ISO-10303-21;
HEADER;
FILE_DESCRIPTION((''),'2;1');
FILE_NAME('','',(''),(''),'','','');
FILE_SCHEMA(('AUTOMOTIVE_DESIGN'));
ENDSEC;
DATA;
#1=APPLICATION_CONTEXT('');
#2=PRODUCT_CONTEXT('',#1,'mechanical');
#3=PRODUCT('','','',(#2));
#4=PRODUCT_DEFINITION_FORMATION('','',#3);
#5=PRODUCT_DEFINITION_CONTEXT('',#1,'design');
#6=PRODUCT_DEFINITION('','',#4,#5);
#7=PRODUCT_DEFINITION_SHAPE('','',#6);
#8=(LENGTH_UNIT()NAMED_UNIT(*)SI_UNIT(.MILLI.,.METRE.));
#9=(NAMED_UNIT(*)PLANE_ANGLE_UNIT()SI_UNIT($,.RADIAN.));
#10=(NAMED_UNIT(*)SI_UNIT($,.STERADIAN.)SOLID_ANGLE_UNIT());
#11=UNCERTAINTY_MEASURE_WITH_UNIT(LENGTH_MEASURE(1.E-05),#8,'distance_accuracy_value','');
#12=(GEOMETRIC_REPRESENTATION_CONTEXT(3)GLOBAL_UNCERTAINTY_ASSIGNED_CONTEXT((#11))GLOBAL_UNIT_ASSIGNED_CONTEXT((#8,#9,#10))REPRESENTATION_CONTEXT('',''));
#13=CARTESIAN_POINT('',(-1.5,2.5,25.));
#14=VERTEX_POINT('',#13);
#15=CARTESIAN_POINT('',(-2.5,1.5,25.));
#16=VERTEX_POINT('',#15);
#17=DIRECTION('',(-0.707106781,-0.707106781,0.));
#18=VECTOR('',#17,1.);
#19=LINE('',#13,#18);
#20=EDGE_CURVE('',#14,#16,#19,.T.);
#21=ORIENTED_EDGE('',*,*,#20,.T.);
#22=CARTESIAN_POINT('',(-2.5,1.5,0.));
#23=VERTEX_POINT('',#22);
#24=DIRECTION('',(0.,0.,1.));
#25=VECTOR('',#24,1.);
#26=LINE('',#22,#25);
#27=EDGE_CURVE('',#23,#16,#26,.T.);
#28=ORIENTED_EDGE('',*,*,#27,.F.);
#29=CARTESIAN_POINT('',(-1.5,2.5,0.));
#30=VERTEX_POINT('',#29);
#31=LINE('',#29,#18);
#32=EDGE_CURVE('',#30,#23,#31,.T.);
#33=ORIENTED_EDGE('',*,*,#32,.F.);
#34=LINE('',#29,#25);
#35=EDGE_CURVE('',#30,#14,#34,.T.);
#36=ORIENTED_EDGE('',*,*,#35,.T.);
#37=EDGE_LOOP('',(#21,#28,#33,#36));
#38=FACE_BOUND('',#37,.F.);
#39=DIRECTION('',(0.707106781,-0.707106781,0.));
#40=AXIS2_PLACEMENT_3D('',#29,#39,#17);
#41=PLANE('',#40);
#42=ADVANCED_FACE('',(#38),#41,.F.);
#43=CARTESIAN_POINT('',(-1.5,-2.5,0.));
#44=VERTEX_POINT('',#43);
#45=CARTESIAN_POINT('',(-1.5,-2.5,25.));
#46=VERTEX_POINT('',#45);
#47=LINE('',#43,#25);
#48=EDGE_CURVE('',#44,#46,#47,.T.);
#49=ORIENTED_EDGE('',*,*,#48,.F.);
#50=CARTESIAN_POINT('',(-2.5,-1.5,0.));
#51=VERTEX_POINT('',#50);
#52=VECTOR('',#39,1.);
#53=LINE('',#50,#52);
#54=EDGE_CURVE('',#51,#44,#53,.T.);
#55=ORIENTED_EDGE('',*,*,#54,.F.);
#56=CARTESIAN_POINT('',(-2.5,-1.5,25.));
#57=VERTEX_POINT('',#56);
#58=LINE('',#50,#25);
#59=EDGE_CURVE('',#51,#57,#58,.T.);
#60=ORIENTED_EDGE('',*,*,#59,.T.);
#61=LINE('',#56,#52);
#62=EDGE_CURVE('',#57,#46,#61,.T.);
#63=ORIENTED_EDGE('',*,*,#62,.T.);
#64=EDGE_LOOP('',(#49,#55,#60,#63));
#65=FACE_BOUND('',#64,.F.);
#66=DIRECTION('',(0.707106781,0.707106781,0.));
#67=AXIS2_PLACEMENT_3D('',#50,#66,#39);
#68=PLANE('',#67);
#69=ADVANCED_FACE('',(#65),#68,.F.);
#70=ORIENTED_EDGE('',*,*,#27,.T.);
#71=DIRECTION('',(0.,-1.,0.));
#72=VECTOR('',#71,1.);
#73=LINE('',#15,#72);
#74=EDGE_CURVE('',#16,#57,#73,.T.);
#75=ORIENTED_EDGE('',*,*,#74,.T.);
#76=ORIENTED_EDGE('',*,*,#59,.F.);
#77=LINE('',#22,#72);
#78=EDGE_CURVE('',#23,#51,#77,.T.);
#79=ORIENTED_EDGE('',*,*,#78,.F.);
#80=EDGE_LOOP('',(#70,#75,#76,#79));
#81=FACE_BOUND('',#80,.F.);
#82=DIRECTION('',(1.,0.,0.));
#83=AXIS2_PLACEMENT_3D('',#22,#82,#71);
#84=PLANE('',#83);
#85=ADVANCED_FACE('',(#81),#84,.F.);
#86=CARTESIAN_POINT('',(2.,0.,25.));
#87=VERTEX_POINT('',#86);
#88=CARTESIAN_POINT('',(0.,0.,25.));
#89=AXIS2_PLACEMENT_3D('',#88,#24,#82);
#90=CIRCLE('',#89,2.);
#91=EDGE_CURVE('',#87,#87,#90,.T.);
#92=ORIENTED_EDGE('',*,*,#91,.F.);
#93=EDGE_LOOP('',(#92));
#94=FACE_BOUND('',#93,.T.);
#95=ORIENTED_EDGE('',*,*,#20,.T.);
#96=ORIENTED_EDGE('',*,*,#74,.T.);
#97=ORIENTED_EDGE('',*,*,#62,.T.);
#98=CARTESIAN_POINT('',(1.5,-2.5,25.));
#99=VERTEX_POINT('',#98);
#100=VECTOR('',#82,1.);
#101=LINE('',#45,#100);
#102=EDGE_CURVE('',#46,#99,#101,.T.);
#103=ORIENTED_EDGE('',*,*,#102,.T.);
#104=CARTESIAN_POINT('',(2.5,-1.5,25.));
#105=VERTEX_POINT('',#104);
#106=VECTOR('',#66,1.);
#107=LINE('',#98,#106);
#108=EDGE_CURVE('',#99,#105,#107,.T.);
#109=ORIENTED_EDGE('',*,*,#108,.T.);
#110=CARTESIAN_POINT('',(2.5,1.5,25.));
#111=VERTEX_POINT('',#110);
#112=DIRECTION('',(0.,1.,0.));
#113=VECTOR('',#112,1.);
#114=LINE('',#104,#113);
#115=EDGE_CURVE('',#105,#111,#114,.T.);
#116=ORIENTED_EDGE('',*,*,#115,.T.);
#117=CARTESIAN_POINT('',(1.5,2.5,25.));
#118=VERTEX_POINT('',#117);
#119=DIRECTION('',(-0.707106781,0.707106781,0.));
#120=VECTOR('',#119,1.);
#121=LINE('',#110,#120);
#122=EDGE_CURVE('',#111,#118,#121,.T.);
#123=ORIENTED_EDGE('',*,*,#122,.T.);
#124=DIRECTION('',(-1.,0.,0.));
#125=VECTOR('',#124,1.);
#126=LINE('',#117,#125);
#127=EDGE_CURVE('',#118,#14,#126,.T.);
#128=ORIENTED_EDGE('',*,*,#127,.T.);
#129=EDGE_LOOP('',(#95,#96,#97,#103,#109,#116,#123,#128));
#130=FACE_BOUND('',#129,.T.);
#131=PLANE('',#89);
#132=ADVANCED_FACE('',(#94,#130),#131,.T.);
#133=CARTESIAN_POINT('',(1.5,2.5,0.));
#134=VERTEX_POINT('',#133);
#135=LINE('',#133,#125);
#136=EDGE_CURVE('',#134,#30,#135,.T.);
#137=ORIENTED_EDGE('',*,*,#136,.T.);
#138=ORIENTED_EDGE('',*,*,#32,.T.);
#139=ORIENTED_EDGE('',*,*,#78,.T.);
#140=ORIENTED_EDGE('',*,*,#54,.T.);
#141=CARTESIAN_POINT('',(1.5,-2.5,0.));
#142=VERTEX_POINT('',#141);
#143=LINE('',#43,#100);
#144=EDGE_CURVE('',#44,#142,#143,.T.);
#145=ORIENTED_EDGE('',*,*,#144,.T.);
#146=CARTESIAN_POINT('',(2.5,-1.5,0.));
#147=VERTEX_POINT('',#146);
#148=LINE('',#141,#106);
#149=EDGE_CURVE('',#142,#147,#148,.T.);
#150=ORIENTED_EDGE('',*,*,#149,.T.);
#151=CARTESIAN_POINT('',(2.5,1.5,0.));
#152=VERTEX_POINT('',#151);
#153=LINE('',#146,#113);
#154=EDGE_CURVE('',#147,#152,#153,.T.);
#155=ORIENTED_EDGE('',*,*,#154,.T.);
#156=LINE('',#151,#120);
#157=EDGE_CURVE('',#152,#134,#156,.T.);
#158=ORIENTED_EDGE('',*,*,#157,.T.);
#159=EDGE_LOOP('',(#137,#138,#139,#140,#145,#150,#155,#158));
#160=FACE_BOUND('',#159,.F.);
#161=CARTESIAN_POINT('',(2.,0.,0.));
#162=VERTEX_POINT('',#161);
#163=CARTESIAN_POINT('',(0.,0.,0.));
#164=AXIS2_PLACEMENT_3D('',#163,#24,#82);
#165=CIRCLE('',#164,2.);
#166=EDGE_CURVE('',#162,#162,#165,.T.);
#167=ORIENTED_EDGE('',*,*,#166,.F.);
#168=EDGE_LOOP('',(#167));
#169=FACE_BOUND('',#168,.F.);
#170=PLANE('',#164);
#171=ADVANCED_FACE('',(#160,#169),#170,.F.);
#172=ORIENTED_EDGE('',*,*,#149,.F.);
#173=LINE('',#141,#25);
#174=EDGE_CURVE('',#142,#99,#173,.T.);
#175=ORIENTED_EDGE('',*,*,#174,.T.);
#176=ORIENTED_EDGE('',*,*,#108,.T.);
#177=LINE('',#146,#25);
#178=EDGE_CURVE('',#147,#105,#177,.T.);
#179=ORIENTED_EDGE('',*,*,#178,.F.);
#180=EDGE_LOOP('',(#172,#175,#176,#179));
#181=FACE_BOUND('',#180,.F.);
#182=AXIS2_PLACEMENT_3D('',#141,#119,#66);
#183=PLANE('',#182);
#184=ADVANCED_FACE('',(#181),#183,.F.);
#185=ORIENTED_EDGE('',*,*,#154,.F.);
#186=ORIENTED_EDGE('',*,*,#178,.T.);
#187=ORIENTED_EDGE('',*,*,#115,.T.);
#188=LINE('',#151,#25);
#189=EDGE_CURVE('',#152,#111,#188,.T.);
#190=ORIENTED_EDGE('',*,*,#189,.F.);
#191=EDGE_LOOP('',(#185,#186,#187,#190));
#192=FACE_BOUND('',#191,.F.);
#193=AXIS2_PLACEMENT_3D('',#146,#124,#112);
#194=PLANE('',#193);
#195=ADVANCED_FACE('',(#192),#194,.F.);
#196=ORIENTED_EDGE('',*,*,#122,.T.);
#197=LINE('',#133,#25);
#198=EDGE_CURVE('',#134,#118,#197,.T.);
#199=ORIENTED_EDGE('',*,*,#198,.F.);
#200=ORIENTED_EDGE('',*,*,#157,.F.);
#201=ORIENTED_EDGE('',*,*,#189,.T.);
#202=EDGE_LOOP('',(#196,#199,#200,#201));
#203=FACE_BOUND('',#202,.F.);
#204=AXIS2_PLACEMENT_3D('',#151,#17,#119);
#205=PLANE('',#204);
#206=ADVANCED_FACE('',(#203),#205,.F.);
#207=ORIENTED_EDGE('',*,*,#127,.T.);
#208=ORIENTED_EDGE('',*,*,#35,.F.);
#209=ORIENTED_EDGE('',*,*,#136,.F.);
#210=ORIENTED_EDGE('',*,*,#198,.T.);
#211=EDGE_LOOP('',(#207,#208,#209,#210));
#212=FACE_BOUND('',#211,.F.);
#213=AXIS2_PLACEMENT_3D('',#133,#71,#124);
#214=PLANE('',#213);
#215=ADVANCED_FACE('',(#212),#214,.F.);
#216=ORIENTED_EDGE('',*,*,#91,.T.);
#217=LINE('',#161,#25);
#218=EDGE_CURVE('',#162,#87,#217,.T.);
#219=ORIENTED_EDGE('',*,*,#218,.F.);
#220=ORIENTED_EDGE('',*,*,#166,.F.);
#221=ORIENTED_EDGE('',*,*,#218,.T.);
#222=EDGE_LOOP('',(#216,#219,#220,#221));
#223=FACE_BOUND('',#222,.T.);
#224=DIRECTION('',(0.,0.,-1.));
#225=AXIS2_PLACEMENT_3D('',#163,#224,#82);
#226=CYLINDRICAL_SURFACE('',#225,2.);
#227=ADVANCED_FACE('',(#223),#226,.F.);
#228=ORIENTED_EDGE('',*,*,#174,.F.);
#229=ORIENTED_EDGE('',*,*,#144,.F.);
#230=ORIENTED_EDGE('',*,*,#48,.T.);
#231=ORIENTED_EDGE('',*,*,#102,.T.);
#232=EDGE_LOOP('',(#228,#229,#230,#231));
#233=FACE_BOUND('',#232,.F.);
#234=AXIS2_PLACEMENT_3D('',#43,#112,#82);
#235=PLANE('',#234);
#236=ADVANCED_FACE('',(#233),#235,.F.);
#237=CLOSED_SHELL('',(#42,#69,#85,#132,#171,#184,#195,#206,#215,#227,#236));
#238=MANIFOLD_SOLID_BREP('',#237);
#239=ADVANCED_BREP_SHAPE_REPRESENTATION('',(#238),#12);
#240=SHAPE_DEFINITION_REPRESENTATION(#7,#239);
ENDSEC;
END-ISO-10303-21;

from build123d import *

# Parameters (mm, degrees)
F0_R     = 2
F1_DEPTH = 25


with BuildPart() as f1:
    # F0 (on Top) → F1 (new body)
    with BuildSketch(Plane.XY):
        Polygon((1.5, 2.5), (-1.5, 2.5), (-2.5, 1.5), (-2.5, -1.5), (-1.5, -2.5), (1.5, -2.5), (2.5, -1.5), (2.5, 1.5), align=None)
        Circle(F0_R, mode=Mode.SUBTRACT)
    extrude(amount=F1_DEPTH)


solid = f1.part
